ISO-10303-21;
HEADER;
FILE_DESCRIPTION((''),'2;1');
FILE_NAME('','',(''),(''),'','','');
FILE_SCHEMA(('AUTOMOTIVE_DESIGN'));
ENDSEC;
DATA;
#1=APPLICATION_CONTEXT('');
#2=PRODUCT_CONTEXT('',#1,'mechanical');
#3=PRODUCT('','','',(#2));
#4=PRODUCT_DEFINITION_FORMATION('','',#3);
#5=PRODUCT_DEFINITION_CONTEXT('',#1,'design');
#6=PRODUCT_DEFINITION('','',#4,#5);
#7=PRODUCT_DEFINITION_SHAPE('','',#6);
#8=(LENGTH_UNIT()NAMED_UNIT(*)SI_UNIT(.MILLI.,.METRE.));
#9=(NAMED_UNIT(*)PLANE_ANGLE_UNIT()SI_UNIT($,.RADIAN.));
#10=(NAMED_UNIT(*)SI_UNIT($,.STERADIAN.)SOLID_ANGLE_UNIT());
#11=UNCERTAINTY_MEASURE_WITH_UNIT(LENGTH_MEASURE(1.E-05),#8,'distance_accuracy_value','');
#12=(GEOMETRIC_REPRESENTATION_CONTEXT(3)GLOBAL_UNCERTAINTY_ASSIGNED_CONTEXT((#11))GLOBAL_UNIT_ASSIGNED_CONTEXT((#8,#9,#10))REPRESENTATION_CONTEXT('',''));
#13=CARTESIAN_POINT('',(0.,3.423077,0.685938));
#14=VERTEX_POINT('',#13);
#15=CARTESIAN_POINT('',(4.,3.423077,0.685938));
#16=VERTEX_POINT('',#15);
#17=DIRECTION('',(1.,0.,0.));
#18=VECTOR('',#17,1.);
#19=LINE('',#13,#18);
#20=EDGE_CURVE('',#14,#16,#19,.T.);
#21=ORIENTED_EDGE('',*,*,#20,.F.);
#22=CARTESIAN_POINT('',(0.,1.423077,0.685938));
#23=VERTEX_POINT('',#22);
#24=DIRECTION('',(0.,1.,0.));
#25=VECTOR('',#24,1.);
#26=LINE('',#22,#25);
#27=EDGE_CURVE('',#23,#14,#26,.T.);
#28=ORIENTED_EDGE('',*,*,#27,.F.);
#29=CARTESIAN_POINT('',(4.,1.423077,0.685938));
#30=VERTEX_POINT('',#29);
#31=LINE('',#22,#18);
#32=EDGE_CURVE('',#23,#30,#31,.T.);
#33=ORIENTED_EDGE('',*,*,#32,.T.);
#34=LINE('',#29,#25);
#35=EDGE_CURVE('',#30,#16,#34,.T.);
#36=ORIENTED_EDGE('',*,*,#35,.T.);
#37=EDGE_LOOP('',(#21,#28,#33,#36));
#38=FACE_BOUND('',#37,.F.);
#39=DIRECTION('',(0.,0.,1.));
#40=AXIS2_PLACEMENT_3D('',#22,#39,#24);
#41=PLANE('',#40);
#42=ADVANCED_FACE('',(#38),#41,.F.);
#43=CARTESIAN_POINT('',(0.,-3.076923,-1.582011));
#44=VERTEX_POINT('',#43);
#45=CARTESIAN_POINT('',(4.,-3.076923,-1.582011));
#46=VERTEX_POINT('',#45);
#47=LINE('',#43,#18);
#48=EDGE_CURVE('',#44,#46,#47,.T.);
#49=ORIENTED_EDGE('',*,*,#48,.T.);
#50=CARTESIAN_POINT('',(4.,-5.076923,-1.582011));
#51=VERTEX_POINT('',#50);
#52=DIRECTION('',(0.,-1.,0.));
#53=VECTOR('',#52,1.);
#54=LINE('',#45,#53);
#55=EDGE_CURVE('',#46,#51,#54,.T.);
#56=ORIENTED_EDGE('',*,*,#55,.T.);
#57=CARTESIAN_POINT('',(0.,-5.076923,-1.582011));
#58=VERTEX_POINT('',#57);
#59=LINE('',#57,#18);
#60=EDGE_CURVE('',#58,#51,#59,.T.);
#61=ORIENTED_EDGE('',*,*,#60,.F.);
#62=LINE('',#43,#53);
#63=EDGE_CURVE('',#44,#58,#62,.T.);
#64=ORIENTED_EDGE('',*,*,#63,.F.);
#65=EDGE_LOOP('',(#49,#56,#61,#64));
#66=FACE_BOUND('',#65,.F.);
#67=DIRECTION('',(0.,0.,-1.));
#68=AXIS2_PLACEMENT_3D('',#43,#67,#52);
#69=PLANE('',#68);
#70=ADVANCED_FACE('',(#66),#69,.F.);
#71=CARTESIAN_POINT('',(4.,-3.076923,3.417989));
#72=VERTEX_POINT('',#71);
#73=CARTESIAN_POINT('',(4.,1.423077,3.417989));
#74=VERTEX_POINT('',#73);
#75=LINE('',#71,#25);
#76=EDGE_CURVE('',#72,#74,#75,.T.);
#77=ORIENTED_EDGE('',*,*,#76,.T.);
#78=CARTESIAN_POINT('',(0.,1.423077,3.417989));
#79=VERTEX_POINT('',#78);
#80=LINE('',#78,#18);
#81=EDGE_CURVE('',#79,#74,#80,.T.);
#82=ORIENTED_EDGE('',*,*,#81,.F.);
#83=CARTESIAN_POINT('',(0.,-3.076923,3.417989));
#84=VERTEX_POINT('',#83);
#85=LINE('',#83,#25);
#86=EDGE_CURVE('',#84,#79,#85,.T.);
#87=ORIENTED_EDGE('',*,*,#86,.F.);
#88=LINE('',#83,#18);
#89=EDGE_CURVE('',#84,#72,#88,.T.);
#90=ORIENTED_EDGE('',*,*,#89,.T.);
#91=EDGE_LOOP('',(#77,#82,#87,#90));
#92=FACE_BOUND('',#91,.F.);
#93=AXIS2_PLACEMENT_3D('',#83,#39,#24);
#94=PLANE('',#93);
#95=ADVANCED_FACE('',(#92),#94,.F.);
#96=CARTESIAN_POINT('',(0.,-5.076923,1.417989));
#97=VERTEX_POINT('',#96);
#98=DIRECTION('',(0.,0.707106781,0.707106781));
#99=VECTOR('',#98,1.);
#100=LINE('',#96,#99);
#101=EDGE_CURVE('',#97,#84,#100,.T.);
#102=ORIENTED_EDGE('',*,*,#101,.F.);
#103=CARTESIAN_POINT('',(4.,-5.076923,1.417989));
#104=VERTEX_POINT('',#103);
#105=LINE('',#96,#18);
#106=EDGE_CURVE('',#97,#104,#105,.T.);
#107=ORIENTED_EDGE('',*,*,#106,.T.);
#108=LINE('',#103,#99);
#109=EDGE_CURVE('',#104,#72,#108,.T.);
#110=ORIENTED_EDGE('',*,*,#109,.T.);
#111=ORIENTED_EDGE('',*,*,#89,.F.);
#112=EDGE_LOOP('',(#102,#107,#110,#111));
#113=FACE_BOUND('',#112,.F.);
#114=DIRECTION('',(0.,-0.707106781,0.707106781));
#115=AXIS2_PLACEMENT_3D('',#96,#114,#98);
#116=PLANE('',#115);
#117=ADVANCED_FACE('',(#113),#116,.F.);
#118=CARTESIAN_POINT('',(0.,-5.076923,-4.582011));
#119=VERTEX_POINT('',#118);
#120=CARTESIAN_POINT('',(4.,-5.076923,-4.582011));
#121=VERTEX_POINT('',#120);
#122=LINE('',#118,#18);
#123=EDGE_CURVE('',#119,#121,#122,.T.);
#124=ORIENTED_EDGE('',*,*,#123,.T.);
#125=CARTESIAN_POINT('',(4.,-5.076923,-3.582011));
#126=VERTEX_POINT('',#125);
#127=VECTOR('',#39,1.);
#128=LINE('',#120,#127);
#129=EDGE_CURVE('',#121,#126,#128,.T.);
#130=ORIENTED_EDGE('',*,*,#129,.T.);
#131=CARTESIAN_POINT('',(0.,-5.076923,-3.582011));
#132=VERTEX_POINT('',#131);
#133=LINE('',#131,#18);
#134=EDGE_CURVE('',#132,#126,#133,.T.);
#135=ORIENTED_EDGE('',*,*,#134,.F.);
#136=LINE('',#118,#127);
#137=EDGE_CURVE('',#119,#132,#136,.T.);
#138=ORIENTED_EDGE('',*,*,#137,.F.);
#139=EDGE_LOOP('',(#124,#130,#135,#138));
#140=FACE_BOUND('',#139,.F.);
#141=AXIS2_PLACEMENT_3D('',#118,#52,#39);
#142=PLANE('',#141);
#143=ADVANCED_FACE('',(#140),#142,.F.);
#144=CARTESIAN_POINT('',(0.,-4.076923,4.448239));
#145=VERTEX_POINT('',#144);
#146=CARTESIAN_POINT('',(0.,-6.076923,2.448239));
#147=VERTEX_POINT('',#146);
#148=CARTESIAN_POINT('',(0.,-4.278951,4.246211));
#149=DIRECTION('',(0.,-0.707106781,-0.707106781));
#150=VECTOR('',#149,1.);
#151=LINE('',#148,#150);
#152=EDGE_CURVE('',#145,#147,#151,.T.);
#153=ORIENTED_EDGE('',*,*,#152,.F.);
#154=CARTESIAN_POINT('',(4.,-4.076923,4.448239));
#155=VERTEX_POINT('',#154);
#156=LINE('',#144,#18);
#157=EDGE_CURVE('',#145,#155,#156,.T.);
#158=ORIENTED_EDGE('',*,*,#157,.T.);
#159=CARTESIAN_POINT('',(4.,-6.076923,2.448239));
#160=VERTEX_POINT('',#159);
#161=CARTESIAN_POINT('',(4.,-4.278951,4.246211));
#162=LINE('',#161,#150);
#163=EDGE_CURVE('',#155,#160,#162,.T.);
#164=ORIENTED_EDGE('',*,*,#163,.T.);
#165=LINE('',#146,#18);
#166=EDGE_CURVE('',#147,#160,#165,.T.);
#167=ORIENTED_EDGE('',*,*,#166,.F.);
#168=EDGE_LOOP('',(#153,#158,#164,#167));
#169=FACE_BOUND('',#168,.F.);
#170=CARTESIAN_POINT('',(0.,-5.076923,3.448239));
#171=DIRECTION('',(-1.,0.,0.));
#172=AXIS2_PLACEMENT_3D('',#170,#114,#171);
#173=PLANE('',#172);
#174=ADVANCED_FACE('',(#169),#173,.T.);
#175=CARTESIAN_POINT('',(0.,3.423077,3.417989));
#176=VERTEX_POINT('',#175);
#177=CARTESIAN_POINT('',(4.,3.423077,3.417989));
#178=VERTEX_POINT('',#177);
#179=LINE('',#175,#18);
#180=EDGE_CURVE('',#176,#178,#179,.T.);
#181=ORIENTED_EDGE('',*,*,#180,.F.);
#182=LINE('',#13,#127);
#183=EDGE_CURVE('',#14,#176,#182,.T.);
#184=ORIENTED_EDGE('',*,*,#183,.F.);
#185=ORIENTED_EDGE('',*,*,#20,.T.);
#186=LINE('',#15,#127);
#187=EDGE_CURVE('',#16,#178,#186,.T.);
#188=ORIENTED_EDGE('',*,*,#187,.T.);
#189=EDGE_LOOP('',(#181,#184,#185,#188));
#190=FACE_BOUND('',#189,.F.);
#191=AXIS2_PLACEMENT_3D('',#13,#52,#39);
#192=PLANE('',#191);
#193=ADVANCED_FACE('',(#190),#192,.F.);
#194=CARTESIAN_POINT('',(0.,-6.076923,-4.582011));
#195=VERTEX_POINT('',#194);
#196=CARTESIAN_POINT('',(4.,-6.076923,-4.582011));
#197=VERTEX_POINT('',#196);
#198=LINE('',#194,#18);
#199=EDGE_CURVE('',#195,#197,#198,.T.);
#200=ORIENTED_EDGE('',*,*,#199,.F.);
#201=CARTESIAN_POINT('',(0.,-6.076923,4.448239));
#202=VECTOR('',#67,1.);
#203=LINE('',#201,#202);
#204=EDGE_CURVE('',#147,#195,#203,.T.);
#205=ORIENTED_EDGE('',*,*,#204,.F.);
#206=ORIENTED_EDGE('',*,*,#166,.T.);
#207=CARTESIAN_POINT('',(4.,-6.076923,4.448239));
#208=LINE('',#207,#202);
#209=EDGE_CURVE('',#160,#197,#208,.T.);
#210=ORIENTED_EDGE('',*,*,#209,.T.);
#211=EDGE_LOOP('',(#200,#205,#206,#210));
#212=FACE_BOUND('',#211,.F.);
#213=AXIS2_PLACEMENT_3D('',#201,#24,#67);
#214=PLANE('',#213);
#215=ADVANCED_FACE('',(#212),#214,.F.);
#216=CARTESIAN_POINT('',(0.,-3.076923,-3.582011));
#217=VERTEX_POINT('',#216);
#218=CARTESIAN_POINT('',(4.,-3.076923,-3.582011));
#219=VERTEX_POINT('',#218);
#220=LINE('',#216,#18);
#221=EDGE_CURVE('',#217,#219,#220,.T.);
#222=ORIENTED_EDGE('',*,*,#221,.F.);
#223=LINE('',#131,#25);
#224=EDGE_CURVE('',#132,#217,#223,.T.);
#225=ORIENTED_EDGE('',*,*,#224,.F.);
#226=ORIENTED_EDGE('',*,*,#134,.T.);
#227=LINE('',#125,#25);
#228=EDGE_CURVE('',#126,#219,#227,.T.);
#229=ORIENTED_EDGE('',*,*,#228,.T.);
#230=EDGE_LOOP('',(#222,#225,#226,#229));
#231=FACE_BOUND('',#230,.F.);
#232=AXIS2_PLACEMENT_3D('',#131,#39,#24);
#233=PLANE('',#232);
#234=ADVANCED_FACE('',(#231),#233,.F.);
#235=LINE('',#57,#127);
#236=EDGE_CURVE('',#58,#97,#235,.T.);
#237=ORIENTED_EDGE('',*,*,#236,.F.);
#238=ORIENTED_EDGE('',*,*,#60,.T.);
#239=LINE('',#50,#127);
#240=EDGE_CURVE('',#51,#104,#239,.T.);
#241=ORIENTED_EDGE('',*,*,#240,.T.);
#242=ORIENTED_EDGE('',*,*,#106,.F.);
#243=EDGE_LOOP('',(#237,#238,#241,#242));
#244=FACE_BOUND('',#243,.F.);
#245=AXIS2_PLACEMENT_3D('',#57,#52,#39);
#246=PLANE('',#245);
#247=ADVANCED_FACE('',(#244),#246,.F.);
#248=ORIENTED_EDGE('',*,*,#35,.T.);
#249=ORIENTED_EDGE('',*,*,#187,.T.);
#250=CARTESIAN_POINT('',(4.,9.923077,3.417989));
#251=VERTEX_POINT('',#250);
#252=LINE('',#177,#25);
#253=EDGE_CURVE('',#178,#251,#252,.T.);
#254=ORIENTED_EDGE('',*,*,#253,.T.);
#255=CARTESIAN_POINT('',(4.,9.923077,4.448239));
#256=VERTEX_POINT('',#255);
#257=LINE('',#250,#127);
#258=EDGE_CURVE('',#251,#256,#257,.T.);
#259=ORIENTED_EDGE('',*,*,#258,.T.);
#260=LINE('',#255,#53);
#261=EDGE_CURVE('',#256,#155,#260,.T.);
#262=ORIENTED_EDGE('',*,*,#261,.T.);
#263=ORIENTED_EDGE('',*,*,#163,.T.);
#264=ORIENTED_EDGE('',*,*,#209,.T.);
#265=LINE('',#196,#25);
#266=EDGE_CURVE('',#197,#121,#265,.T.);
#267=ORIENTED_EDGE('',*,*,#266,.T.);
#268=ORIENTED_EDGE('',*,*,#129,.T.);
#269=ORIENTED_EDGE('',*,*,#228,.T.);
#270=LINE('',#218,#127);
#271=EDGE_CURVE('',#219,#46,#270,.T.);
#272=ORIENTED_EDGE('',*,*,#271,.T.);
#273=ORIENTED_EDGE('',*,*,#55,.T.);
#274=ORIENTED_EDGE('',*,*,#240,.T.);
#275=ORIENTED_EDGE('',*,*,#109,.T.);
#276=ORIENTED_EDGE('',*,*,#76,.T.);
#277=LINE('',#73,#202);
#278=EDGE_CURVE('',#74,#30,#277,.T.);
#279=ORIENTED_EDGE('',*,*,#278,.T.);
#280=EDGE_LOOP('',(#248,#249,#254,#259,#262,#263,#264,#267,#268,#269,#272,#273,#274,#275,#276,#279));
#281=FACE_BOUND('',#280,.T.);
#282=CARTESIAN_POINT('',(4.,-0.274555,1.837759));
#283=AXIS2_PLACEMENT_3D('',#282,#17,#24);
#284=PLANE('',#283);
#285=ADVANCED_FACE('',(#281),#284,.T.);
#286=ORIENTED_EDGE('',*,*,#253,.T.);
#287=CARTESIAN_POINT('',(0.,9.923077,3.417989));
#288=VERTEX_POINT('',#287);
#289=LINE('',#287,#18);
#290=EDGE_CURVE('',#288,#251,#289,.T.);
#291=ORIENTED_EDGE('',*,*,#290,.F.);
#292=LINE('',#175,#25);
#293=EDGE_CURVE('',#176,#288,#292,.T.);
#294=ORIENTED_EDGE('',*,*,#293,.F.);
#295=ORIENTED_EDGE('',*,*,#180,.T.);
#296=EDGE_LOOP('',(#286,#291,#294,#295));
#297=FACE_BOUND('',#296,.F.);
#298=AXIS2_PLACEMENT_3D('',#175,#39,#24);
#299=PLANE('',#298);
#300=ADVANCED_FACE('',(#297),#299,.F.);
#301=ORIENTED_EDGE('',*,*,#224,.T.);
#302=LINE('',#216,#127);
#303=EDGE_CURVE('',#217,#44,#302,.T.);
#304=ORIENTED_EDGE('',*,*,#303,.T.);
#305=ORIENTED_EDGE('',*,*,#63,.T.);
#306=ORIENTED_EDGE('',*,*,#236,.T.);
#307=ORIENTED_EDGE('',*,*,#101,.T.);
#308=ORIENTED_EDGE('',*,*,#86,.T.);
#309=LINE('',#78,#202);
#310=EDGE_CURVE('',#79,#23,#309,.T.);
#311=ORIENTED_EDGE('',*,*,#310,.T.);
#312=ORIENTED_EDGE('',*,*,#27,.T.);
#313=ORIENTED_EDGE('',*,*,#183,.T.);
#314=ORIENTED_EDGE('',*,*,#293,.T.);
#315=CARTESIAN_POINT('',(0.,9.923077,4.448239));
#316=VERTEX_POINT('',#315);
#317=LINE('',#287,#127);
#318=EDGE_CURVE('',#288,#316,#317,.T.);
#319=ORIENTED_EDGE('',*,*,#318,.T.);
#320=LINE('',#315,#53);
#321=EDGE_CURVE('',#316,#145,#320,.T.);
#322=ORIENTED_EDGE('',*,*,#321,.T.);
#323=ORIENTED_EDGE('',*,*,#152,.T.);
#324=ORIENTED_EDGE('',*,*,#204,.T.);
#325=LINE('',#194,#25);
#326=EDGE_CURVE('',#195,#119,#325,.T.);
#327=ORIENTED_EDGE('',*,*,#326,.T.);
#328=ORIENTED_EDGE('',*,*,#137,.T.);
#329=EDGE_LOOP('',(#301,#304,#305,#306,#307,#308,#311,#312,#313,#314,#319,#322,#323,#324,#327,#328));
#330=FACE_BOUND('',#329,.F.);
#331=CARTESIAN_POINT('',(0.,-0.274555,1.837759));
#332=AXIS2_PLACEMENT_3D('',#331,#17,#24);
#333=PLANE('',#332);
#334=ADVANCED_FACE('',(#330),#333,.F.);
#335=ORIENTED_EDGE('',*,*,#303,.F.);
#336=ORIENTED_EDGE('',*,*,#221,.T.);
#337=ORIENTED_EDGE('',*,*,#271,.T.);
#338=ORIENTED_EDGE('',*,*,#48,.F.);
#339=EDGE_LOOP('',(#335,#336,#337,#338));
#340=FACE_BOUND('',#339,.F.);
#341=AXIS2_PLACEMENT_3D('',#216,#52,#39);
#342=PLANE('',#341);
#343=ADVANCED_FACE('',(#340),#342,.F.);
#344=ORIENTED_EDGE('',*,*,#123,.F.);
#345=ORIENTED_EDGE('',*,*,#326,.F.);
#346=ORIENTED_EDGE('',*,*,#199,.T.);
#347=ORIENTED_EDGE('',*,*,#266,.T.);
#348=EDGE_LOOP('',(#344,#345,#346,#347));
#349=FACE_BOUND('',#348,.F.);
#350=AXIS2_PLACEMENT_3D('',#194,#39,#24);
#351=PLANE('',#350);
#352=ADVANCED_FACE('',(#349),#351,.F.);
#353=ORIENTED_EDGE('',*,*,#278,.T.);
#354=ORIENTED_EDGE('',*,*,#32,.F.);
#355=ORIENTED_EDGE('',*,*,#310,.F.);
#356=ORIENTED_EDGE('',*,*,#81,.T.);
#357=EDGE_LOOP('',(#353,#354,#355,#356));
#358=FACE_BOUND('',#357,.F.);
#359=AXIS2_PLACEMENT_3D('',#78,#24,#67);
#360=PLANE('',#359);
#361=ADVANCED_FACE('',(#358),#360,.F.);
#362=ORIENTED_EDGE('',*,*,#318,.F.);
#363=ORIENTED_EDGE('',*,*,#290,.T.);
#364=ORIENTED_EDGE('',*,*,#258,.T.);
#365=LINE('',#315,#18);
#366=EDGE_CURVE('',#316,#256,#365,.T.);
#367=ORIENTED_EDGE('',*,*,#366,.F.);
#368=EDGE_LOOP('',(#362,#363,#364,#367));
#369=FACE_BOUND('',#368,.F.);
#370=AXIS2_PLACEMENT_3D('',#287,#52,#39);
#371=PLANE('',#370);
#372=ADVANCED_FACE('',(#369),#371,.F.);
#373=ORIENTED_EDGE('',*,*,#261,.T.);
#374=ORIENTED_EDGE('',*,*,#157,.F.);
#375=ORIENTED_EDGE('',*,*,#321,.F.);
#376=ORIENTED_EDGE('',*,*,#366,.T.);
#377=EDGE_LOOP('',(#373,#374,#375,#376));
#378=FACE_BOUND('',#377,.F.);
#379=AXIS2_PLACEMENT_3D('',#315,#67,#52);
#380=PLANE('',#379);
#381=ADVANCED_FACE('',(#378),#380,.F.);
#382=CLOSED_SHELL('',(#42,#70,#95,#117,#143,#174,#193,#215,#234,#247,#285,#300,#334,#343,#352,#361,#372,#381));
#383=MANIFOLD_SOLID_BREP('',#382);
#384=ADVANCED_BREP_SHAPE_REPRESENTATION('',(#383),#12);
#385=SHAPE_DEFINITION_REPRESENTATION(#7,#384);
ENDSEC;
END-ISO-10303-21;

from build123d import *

# Parameters (mm, degrees)
F1_DEPTH = 4
F2_SIZE  = 2


with BuildPart() as f1:
    # F0 (on Right) → F1 (new body)
    with BuildSketch(Plane.YZ):
        Polygon((3.423077, 3.417989), (9.923077, 3.417989), (9.923077, 4.448239), (-6.076923, 4.448239), (-6.076923, -4.582011), (-5.076923, -4.582011), (-5.076923, -3.582011), (-3.076923, -3.582011), (-3.076923, -1.582011), (-5.076923, -1.582011), (-5.076923, 1.417989), (-3.076923, 3.417989), (1.423077, 3.417989), (1.423077, 0.685938), (3.423077, 0.685938), align=None)
    extrude(amount=F1_DEPTH)

    # F2
    f2_edges = [f1.edges().sort_by_distance(p)[0] for p in [
        (2, -6.076923, 4.448239),
    ]]
    chamfer(f2_edges, length=F2_SIZE)


solid = f1.part
